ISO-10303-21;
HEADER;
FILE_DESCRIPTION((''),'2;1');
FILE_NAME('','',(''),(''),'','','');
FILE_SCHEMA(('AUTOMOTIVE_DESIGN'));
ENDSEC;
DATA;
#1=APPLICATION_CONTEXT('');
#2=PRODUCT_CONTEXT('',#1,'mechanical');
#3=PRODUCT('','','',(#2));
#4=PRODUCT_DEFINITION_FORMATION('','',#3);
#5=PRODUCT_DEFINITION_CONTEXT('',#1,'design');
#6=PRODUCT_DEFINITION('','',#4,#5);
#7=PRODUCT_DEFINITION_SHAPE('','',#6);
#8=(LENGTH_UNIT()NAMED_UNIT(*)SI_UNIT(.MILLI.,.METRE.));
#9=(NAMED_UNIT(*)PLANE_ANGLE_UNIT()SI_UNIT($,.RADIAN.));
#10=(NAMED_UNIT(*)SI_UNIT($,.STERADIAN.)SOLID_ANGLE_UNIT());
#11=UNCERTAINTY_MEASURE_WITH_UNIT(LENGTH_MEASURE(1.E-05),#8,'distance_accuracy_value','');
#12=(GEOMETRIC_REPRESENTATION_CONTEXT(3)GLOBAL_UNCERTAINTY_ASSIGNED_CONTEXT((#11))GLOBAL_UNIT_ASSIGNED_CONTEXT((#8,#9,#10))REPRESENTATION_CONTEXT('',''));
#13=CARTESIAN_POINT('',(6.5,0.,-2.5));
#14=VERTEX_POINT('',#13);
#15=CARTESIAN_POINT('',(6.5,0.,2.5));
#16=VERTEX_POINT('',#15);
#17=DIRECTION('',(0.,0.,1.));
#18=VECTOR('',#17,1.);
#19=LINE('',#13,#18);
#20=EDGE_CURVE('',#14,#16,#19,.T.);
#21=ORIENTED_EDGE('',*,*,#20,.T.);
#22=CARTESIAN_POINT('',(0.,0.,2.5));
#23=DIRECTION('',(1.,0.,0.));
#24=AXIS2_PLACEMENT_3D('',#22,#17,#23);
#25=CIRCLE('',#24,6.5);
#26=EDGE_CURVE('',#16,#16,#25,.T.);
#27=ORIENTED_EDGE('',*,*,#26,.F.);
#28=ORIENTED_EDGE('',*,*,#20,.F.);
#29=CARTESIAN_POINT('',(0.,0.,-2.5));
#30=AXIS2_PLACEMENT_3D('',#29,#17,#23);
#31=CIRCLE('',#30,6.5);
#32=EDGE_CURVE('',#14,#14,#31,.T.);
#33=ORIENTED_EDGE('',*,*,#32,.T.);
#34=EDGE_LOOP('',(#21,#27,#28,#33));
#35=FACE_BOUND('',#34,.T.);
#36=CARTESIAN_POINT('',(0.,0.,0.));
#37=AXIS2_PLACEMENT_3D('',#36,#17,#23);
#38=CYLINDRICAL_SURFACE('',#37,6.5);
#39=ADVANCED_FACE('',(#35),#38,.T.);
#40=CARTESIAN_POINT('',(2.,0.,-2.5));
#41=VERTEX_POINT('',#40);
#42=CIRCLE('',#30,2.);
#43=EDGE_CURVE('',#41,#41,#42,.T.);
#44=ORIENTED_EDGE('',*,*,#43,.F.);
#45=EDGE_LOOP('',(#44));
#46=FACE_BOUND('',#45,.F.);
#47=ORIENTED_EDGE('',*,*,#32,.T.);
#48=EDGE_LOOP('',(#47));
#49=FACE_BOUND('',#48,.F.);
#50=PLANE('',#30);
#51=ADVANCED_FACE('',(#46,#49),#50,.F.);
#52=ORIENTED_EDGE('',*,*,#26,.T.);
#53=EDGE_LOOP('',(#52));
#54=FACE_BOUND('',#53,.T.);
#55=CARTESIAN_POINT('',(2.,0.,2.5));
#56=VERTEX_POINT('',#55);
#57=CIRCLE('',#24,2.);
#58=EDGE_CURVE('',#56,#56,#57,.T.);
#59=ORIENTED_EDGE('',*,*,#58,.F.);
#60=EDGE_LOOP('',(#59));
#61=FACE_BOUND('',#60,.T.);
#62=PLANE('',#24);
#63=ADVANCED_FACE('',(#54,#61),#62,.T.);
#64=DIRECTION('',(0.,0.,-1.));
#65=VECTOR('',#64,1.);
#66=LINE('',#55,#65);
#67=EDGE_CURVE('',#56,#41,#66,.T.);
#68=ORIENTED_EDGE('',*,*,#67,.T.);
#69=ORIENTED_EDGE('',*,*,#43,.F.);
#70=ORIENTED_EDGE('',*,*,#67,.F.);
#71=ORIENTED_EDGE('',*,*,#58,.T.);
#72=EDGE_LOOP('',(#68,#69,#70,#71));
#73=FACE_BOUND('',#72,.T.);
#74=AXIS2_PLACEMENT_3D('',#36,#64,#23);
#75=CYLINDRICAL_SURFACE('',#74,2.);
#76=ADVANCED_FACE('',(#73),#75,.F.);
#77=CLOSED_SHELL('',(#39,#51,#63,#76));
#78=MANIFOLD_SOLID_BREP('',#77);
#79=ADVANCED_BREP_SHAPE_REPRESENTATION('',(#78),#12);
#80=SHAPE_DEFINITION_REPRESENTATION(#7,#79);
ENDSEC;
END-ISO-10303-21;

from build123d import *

# Parameters (mm, degrees)
SKETCH1_R           = 6.5
SKETCH1_R_2         = 2
BOSS_EXTRUDE1_DEPTH = 2.5


with BuildPart() as part:
    # Sketch1 → Boss-Extrude1 (new body, symmetric)
    with BuildSketch(Plane.XY):
        Circle(SKETCH1_R)
        Circle(SKETCH1_R_2, mode=Mode.SUBTRACT)
    extrude(amount=BOSS_EXTRUDE1_DEPTH, both=True)


solid = part.part
